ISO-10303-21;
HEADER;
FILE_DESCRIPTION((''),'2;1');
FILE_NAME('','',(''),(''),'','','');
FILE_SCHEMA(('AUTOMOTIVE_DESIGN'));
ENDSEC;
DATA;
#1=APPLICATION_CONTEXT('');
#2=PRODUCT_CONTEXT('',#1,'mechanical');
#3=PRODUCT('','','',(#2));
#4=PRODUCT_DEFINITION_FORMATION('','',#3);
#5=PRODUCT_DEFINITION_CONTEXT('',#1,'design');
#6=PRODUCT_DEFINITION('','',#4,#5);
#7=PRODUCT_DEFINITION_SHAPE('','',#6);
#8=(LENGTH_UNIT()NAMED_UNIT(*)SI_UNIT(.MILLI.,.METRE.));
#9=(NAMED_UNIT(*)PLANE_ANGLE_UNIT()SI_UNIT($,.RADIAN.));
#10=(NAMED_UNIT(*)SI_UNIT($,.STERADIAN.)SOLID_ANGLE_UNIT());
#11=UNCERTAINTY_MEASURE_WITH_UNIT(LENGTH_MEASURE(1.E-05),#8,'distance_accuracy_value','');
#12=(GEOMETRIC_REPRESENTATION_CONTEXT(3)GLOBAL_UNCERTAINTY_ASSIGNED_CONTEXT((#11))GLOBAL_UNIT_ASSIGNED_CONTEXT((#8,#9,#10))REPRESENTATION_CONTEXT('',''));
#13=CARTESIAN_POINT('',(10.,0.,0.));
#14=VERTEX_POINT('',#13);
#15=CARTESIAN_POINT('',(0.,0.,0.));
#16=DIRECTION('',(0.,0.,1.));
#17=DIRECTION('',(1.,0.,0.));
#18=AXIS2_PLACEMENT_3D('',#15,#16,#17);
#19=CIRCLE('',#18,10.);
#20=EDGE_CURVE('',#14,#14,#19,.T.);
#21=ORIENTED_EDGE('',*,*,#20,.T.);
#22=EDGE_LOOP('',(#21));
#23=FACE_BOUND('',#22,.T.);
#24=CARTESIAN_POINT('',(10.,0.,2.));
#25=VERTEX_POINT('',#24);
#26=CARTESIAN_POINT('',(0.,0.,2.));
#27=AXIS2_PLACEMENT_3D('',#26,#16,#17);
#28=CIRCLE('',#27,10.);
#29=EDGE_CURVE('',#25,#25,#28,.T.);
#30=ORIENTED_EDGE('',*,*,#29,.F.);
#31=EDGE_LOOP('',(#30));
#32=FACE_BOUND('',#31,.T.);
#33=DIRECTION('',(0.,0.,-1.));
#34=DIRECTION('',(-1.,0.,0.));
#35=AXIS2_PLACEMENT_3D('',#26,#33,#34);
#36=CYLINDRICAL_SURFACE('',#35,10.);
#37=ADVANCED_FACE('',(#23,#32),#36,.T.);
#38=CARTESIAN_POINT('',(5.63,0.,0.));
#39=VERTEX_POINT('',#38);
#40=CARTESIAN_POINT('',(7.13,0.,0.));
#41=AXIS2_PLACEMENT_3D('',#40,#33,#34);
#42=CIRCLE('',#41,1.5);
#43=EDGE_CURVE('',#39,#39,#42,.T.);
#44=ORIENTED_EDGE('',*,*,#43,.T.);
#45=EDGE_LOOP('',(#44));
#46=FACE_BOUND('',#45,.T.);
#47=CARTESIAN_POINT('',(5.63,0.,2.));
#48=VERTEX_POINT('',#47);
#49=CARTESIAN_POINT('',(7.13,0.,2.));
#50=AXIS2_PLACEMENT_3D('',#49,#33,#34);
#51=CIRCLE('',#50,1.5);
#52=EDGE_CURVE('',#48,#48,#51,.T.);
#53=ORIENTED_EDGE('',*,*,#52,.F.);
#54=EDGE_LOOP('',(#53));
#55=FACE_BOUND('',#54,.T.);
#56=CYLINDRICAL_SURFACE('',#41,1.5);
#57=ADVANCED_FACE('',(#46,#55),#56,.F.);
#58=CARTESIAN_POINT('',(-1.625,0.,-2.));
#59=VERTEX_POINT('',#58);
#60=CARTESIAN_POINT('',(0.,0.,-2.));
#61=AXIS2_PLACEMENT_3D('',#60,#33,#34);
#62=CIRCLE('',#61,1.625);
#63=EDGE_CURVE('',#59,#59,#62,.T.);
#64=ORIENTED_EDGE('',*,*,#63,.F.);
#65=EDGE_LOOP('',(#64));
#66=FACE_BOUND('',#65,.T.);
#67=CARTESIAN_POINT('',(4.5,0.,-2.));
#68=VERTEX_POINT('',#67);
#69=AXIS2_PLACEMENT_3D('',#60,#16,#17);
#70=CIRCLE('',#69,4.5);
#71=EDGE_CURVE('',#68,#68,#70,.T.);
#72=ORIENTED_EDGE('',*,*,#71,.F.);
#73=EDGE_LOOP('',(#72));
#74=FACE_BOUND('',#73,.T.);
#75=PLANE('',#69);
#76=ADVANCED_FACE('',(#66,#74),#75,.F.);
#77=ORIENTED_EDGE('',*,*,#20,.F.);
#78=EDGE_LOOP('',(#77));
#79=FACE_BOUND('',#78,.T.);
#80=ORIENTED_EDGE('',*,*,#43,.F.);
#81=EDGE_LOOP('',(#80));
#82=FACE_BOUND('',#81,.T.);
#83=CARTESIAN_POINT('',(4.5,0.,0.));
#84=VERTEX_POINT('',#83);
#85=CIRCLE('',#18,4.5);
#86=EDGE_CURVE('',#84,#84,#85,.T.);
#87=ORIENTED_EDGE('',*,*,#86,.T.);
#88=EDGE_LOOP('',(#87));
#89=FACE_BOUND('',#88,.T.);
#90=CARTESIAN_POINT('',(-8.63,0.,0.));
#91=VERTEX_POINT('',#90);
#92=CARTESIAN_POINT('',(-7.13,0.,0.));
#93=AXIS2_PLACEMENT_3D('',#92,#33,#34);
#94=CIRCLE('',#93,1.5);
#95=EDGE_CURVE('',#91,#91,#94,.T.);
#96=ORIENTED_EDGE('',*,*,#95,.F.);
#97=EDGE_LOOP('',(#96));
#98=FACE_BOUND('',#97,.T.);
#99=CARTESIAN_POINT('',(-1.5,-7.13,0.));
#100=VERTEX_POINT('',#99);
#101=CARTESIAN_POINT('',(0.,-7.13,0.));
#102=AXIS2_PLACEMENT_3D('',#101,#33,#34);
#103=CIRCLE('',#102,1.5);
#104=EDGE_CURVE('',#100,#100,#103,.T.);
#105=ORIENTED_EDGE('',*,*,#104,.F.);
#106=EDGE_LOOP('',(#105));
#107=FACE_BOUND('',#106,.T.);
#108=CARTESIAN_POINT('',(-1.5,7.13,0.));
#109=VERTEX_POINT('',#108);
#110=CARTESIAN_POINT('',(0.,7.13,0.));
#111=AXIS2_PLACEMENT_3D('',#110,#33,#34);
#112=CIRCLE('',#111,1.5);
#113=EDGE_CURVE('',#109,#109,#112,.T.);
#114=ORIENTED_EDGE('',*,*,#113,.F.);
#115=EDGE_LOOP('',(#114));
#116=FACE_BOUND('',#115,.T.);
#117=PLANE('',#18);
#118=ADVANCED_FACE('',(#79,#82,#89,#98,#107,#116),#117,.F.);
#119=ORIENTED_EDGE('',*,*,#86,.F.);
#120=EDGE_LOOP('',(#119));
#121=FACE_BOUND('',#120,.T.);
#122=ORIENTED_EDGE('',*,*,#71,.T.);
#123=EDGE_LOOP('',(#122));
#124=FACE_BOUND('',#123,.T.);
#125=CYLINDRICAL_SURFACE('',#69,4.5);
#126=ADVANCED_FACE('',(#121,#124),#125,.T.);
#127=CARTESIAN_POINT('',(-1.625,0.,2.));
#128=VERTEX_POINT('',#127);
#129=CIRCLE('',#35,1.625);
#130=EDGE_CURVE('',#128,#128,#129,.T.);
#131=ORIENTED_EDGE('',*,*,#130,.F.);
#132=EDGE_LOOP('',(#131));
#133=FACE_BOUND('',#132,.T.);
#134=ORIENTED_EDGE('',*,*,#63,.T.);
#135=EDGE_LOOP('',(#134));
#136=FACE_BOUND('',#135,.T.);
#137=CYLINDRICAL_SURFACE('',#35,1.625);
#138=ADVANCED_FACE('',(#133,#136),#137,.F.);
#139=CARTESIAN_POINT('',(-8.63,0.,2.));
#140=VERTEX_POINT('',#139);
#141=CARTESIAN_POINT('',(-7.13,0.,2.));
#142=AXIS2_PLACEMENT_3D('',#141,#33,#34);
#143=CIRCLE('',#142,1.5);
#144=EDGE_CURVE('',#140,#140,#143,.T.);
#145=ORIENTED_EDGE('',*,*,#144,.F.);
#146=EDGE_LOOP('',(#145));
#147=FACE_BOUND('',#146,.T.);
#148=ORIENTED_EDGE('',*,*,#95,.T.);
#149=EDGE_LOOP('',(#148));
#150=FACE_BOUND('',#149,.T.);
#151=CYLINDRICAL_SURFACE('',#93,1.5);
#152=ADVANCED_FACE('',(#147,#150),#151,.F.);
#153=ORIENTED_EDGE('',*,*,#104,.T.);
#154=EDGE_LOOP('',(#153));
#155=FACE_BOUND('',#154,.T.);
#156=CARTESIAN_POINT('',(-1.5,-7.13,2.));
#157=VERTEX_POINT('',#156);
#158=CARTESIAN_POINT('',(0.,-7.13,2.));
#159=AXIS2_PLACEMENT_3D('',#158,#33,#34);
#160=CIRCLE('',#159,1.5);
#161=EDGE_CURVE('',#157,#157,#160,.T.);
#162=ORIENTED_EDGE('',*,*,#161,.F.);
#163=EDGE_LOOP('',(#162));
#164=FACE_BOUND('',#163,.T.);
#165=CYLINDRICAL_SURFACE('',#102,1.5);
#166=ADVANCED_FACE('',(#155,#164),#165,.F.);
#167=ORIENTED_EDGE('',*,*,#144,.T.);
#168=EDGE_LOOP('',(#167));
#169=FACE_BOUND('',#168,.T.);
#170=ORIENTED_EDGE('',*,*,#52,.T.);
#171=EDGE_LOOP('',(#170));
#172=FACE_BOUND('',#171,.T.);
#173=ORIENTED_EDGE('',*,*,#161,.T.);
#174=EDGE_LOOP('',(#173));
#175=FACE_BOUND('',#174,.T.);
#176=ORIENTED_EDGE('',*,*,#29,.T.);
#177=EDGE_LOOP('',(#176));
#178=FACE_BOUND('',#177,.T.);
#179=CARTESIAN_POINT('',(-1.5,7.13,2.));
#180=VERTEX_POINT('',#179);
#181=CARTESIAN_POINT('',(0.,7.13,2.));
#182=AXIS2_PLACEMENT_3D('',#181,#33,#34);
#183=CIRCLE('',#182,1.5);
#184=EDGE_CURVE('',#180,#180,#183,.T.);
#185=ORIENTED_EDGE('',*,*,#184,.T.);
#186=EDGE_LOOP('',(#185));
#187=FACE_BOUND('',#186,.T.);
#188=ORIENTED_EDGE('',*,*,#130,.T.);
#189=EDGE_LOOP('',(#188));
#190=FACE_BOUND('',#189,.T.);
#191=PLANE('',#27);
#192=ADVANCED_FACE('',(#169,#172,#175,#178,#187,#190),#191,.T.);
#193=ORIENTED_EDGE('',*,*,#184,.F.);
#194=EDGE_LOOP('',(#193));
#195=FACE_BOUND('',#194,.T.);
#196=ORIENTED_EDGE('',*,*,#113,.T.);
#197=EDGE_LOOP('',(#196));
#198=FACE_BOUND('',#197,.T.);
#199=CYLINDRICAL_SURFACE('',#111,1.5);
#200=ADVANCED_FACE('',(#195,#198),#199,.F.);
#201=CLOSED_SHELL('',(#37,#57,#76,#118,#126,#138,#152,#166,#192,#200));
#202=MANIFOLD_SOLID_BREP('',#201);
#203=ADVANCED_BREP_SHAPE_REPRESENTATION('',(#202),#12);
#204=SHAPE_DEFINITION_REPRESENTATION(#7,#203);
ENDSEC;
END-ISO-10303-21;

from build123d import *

# Parameters (mm, degrees)
SCHIZZO14_R                  = 10
ESTRUSIONE_ESTRUSIONE2_DEPTH = 2
FORO_3_0_3_1_D               = 3
SCHIZZO19_R                  = 4.5
ESTRUSIONE_ESTRUSIONE3_DEPTH = 2
SCHIZZO20_R                  = 1.625
TAGLIO_ESTRUSIONE1_DEPTH     = 5


with BuildPart() as part:
    # Schizzo14 → Estrusione-Estrusione2 (new body)
    with BuildSketch(Plane.XY):
        Circle(SCHIZZO14_R)
    extrude(amount=ESTRUSIONE_ESTRUSIONE2_DEPTH)

    # Foro Ø3.0 (3)-1 (through all)
    with Locations(Plane(origin=(7.13, 0, 0), x_dir=(-1, 0, 0), z_dir=(0, 0, -1))):
        with Locations((0, 0), (14.26, 0), (7.13, -7.13), (7.13, 7.13)):
            Hole(FORO_3_0_3_1_D / 2)

    # Schizzo19 → Estrusione-Estrusione3 (add)
    with BuildSketch(Plane.XY):
        Circle(SCHIZZO19_R)
    extrude(amount=-ESTRUSIONE_ESTRUSIONE3_DEPTH)

    # Schizzo20 → Taglio-Estrusione1 (cut, through all)
    with BuildSketch(Plane(origin=(0, 0, -2), x_dir=(-1, 0, 0), z_dir=(0, 0, -1))):
        Circle(SCHIZZO20_R)
    extrude(amount=-TAGLIO_ESTRUSIONE1_DEPTH, mode=Mode.SUBTRACT)


solid = part.part
